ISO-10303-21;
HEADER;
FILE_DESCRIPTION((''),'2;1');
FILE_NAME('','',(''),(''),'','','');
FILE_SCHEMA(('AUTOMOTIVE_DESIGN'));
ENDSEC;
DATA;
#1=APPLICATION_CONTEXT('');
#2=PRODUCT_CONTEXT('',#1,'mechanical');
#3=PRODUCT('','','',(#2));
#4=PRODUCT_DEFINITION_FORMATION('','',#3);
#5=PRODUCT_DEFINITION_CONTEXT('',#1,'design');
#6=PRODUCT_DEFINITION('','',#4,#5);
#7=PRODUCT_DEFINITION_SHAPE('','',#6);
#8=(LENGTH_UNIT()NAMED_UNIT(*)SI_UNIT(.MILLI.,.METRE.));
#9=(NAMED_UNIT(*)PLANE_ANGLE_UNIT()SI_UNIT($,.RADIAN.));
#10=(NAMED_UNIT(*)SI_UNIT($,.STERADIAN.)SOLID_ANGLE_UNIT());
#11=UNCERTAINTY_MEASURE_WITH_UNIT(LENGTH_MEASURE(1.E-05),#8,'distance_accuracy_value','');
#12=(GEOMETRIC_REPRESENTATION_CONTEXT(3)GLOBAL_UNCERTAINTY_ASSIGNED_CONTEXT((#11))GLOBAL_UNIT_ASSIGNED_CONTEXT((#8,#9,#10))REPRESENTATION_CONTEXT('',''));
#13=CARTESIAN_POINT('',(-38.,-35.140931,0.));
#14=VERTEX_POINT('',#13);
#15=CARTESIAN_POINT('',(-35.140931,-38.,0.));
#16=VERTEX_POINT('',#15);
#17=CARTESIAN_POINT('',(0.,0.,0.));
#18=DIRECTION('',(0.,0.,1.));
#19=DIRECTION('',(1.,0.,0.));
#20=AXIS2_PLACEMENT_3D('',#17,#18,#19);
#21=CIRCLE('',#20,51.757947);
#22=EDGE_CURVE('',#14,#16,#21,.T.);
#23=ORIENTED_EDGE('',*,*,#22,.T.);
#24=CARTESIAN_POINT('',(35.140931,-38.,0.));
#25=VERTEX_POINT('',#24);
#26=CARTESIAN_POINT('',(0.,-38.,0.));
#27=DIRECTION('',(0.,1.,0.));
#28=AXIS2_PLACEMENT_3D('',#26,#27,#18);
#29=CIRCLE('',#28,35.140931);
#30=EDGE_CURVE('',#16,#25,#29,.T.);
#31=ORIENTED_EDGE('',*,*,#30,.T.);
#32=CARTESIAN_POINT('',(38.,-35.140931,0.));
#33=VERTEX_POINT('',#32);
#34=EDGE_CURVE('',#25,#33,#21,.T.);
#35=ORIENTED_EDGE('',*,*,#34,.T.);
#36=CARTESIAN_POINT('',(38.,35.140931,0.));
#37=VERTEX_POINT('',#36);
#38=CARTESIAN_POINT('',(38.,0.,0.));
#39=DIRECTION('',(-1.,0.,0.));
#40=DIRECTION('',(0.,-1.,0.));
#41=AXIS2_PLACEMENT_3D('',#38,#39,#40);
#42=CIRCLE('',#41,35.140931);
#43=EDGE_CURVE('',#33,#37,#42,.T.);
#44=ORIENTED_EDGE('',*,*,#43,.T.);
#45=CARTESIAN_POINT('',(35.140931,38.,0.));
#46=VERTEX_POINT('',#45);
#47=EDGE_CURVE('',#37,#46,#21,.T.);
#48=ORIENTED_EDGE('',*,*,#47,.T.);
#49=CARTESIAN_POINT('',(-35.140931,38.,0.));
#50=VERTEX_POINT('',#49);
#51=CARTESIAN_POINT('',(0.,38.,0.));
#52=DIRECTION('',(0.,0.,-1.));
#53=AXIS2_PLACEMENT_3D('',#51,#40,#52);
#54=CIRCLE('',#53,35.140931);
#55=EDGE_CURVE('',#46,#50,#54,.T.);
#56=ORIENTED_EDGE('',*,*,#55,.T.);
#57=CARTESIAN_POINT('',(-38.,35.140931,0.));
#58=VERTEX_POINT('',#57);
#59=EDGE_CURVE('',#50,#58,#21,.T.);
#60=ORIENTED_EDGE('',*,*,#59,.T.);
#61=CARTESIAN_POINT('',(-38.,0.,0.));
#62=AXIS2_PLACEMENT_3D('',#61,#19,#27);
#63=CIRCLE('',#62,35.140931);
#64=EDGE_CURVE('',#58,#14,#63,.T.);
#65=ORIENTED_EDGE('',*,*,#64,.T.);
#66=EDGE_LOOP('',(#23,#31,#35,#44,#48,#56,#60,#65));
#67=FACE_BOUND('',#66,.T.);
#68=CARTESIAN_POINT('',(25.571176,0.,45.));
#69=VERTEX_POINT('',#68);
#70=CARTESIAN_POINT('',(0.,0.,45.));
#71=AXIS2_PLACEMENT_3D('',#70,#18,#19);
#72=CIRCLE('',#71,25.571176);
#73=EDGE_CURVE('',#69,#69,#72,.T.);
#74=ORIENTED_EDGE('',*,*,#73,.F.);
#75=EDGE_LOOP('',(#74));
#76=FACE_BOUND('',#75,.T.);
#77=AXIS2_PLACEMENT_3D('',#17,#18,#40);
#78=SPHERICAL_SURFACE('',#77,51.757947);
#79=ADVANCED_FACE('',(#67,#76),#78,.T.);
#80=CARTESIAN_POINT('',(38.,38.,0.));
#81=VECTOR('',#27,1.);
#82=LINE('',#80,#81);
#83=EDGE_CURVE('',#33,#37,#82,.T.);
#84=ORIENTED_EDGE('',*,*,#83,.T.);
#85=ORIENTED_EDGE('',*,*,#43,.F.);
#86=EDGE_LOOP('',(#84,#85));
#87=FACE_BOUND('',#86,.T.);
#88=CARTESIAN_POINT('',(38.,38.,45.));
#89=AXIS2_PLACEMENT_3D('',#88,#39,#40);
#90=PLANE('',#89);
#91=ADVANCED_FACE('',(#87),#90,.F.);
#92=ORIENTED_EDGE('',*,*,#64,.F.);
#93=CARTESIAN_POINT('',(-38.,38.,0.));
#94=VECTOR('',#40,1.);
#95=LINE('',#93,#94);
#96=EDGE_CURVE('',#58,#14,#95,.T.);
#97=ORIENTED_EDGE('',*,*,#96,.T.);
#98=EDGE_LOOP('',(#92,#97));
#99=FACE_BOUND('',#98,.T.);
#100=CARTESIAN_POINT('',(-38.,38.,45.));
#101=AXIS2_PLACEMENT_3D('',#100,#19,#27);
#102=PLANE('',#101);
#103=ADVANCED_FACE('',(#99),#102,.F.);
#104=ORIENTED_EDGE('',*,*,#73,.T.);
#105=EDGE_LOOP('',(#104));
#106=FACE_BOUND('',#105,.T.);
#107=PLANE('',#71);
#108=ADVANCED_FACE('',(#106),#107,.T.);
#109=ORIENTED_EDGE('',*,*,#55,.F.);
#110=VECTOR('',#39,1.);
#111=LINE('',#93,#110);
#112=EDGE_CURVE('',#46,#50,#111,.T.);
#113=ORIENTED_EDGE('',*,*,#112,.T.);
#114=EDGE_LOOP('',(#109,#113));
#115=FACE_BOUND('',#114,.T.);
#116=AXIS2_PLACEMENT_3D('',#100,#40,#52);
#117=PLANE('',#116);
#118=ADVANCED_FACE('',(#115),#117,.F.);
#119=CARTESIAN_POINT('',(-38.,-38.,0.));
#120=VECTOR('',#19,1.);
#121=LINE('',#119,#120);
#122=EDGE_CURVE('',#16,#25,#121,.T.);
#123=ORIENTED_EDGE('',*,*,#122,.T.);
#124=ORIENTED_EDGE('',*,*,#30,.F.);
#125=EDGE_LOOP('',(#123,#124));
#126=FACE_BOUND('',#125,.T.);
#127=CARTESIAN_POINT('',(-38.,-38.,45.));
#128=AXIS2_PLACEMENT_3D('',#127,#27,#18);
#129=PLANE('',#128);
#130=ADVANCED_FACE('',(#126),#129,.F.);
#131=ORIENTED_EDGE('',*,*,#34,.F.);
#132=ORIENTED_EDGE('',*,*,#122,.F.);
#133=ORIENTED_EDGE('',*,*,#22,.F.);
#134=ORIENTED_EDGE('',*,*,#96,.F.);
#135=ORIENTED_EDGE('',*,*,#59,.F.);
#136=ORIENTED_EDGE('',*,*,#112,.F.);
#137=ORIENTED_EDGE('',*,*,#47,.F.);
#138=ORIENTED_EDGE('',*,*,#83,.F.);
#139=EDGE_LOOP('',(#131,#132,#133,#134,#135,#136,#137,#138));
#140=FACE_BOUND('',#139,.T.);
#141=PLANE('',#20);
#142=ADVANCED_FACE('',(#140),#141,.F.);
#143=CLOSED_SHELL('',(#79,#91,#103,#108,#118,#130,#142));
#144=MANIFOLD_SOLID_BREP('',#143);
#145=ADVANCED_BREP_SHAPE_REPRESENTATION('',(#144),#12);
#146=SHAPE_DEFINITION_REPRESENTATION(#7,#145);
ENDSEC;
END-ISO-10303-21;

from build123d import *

# Parameters (mm, degrees)
ESBO_O4_W                = 76
ESBO_O4_H                = 76
RESSALTO_EXTRUS_O2_DEPTH = 45


with BuildPart() as part:
    # Esboço4 → Ressalto-extrusão2 (new body)
    with BuildSketch(Plane.XY):
        Rectangle(ESBO_O4_W, ESBO_O4_H)
    extrude(amount=RESSALTO_EXTRUS_O2_DEPTH)

    # Esboço5 → Corte-Revolução2 (revolve, cut)
    with BuildSketch(Plane(origin=(0, 0, 0), x_dir=(0, 0, -1), z_dir=(1, 0, 0))):
        with BuildLine():
            Line((-104.6568392, 0), (-51.757946877, 0))
            ThreePointArc((-51.757946877, 0), (0, 51.757946877), (51.757946877, 0))
            Line((51.757946877, 0), (104.6568392, 0))
            ThreePointArc((104.6568392, 0), (0, 104.6568392), (-104.6568392, 0))
        make_face()
    revolve(axis=Axis((0, 0, 104.6568392), (0, 0, -1)), mode=Mode.SUBTRACT)


solid = part.part
